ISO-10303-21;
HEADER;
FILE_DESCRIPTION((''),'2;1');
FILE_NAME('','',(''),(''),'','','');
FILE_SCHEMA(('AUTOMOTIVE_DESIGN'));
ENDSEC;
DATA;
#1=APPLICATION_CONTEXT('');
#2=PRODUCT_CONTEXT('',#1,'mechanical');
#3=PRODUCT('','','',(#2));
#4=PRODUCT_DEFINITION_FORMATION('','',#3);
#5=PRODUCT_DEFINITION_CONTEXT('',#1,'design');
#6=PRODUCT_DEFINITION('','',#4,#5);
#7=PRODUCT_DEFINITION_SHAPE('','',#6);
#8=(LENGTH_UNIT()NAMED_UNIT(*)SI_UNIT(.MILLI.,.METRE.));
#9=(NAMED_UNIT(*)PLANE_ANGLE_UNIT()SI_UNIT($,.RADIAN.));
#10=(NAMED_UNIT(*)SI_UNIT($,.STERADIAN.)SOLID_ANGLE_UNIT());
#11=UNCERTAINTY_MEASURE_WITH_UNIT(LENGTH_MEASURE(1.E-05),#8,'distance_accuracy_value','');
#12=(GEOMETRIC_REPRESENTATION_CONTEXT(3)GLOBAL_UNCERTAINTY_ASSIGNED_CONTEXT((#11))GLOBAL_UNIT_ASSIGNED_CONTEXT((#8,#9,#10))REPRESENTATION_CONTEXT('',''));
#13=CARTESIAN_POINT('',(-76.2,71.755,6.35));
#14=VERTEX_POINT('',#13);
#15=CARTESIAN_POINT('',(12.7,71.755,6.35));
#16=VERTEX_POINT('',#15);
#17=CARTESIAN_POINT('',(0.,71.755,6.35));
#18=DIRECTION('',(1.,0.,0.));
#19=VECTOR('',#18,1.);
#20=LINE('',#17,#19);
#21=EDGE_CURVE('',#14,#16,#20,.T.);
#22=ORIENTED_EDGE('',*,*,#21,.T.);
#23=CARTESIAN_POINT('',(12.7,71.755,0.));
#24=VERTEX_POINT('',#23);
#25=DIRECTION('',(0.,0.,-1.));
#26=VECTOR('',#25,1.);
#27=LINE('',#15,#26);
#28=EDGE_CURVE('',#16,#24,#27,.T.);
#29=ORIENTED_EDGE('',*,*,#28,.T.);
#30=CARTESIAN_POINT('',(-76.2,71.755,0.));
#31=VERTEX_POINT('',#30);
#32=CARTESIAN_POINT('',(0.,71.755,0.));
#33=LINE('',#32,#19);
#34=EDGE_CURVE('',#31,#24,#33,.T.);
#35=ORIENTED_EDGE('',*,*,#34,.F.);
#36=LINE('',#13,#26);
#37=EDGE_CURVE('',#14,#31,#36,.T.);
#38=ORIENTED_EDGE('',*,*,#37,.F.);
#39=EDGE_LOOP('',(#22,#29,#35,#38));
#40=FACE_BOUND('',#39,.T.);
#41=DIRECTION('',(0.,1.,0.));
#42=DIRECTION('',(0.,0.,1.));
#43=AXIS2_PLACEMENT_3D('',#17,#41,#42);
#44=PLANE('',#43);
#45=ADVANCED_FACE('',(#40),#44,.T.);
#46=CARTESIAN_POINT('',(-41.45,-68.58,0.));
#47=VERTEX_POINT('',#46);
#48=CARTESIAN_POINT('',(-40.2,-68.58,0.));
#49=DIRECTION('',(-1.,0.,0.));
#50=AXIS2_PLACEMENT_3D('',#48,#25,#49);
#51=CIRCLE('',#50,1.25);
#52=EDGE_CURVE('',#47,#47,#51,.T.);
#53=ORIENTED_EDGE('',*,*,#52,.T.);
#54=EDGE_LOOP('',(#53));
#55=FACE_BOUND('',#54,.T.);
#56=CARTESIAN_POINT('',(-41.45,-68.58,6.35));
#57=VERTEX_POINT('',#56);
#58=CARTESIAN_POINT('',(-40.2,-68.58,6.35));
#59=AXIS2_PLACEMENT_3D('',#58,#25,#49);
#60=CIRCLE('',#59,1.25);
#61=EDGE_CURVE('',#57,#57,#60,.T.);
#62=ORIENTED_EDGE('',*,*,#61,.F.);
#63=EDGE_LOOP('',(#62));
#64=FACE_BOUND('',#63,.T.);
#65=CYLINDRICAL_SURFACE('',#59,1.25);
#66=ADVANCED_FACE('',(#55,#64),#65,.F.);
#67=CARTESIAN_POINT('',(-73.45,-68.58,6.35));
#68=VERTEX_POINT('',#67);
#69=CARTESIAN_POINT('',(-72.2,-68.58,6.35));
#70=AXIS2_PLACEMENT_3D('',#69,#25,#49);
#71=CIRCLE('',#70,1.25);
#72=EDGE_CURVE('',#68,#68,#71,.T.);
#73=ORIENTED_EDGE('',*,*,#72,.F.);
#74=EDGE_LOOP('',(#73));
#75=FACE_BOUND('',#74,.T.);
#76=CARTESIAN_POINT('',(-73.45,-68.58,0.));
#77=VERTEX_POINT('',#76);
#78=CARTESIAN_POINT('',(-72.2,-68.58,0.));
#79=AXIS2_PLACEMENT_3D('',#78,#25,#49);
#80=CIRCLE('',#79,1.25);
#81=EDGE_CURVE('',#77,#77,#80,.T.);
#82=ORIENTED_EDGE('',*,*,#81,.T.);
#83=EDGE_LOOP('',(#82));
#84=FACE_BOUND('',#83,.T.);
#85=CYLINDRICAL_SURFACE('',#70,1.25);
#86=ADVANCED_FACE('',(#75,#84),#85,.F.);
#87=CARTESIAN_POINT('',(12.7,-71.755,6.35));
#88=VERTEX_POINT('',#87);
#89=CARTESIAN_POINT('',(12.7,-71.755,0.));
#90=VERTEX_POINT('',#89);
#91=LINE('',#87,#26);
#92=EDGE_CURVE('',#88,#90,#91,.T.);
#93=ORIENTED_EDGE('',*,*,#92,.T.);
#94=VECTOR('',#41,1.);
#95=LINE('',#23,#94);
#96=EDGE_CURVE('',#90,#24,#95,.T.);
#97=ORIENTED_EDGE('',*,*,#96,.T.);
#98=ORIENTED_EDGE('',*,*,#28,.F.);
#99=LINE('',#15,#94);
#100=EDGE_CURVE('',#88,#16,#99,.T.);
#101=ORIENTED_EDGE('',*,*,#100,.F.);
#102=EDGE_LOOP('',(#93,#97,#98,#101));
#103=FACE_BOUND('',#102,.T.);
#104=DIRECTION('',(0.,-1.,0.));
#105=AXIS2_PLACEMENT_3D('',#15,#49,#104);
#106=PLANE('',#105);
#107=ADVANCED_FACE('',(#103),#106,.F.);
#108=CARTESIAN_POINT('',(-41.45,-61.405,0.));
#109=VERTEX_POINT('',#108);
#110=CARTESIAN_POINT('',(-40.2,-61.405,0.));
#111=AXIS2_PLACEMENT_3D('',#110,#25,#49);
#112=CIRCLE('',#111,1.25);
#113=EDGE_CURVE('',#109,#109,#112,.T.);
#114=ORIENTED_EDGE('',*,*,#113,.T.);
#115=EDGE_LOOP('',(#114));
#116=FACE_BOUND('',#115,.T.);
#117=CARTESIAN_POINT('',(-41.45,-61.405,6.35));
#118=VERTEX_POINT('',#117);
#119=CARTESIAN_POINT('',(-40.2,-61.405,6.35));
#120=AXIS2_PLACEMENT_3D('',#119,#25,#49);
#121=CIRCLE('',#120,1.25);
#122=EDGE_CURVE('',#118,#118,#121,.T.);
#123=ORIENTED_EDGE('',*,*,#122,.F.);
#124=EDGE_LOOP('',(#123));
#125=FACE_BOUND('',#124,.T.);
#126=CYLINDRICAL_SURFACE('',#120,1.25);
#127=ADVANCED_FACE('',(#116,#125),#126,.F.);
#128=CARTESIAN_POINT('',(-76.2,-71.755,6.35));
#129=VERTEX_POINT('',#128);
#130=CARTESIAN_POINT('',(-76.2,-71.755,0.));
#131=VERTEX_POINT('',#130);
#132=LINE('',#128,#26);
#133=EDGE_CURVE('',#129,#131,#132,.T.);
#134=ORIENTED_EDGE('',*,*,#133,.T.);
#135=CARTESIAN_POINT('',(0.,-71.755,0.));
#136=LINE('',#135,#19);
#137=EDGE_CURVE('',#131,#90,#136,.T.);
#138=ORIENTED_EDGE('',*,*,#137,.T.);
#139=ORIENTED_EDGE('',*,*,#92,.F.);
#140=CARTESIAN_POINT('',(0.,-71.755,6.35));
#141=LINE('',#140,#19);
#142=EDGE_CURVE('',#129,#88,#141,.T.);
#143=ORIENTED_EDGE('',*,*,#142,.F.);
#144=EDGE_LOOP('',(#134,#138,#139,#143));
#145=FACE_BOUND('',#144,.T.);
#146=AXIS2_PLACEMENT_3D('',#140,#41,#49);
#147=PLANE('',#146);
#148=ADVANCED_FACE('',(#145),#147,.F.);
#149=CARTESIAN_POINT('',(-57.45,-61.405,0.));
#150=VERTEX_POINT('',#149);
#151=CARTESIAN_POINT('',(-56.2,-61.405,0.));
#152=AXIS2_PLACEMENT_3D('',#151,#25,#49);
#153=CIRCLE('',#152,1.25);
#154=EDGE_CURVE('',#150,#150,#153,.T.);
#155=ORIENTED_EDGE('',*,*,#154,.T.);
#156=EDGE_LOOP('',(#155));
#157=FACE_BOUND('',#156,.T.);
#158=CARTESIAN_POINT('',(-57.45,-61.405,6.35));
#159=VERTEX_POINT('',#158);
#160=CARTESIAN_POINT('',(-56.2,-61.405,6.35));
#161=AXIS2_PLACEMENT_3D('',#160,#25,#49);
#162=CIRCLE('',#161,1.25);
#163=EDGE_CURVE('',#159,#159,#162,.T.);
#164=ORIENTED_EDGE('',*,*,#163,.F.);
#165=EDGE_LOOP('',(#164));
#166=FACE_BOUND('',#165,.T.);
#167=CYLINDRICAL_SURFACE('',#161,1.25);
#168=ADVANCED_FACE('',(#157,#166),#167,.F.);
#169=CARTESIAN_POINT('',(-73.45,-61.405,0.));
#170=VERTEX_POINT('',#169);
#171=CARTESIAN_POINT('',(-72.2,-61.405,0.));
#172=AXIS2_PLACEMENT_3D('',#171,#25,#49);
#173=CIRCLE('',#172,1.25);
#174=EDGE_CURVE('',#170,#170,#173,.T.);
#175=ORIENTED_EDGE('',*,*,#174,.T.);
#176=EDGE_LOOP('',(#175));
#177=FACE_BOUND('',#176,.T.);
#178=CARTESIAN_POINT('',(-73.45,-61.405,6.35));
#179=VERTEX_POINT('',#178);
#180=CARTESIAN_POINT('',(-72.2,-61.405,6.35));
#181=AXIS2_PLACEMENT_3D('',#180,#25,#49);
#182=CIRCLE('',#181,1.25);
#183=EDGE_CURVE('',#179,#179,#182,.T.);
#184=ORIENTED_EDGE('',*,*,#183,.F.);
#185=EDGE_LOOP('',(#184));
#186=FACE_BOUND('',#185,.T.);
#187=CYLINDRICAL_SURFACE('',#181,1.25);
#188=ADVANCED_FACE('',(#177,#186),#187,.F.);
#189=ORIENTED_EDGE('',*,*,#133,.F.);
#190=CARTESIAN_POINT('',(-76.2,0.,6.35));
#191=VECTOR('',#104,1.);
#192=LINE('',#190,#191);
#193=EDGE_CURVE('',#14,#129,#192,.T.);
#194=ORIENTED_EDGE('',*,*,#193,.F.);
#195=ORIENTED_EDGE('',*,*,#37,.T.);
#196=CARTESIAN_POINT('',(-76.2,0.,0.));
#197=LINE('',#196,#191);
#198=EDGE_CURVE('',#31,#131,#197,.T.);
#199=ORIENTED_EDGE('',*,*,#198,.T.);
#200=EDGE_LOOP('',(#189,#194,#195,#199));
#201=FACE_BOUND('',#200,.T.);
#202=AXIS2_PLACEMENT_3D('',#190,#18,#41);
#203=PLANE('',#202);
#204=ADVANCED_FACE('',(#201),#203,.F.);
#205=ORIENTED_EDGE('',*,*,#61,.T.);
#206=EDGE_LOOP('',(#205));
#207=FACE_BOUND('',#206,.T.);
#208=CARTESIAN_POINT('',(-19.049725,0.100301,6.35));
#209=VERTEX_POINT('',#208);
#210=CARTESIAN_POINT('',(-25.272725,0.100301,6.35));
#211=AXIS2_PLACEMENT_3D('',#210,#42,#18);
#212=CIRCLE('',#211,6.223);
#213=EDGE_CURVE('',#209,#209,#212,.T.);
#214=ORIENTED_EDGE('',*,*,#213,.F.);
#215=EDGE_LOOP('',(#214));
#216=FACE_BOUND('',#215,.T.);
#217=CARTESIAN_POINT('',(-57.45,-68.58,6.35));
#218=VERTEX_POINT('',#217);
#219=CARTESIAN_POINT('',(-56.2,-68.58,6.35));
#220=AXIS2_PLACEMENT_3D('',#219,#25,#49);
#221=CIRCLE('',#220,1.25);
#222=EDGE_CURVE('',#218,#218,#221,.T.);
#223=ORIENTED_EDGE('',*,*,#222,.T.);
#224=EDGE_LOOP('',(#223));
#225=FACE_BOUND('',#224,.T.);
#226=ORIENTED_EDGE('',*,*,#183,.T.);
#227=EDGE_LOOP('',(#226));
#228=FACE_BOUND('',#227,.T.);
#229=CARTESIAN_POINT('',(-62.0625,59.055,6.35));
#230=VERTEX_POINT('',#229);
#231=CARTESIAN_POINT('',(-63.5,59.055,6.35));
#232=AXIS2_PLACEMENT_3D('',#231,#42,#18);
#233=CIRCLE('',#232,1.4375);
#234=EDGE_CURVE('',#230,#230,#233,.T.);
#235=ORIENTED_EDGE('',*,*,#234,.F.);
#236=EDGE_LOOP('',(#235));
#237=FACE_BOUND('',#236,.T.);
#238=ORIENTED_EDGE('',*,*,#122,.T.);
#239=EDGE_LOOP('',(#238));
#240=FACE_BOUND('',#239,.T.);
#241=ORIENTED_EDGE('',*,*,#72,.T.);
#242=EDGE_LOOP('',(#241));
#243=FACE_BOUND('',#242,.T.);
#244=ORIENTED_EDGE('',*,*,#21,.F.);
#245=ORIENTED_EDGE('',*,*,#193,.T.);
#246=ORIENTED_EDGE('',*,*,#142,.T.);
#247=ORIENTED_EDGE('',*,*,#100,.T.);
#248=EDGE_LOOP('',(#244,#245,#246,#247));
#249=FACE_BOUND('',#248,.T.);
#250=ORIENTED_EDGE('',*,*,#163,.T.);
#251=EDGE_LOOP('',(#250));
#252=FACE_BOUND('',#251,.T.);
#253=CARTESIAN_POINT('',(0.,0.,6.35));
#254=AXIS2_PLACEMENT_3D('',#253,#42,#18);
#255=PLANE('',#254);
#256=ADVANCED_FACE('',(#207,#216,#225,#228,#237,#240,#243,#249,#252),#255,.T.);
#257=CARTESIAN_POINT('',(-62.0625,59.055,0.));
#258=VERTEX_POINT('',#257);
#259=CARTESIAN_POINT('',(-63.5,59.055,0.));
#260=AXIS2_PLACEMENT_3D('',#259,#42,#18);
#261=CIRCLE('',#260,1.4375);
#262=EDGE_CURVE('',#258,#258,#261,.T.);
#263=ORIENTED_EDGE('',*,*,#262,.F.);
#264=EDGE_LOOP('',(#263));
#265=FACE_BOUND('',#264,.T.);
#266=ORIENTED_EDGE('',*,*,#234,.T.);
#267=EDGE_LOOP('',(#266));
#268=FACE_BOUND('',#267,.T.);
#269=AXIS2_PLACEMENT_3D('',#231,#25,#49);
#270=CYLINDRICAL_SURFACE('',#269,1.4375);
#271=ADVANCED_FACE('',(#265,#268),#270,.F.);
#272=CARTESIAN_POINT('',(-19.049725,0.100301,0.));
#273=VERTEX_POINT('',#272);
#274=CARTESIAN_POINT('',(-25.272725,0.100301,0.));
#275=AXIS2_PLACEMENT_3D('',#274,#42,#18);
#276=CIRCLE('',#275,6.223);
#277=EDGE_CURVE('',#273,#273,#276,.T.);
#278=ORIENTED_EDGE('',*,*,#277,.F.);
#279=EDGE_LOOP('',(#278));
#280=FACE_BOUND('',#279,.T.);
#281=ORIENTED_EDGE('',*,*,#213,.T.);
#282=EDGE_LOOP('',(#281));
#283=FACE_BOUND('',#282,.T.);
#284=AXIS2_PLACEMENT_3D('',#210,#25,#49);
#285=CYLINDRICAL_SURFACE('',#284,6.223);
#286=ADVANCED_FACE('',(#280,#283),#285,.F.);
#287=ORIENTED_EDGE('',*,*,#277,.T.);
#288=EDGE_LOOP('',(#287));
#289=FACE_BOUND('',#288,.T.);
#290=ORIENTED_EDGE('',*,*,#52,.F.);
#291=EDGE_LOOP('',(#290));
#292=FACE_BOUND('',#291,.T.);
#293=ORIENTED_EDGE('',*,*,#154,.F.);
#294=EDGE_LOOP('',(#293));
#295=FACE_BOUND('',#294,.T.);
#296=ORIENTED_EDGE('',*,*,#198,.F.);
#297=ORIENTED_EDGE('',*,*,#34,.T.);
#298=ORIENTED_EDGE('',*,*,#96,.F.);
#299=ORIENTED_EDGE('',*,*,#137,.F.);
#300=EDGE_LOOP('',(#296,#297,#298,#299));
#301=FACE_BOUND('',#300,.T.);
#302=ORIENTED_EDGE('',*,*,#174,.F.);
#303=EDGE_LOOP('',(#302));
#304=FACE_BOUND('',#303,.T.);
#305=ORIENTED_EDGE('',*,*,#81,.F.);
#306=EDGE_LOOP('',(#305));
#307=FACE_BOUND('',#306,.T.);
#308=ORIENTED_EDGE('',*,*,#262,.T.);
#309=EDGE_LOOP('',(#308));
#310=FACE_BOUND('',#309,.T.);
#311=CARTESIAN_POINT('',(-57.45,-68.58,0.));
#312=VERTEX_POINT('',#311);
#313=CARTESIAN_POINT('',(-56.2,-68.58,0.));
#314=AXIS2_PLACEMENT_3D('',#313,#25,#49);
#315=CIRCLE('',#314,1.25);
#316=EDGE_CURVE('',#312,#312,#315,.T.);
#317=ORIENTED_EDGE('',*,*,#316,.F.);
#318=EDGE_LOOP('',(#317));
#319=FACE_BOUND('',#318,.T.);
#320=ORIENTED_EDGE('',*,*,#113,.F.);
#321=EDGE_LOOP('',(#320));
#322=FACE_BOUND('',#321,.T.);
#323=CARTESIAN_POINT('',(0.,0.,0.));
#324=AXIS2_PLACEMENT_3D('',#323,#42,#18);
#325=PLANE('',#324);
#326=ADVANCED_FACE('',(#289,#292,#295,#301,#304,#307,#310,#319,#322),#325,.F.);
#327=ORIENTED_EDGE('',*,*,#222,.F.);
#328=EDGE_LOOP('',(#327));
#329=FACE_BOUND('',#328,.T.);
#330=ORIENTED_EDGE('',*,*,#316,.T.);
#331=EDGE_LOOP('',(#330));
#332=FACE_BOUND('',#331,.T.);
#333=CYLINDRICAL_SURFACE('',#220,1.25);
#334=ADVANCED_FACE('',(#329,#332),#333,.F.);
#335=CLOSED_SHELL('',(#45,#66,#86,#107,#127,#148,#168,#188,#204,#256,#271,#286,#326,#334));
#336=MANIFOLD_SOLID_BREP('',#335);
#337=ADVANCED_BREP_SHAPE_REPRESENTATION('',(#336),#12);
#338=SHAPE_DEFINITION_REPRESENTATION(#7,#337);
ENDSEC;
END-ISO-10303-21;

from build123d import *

# Parameters (mm, degrees)
SKETCH1_W           = 152.4
SKETCH1_H           = 143.51
SKETCH1_R           = 6.223
SKETCH1_R_2         = 1.4375
BOSS_EXTRUDE1_DEPTH = 6.35
SKETCH2_R           = 3.1115
CUT_EXTRUDE1_DEPTH  = 105.859632486
SKETCH4_R           = 1.625
CUT_EXTRUDE2_DEPTH  = 105.859632486
SKETCH5_W           = 63.5
SKETCH5_H           = 143.51
CUT_EXTRUDE3_DEPTH  = 105.859632486
SKETCH6_R           = 1.25
CUT_EXTRUDE4_DEPTH  = 105.859632486


with BuildPart() as part:
    # Sketch1 → Boss-Extrude1 (new body)
    with BuildSketch(Plane.XY):
        Rectangle(SKETCH1_W, SKETCH1_H)
        with Locations((-25.272725174, 0.100300785)):
            Circle(SKETCH1_R, mode=Mode.SUBTRACT)
        with Locations((-63.5, 59.055)):
            Circle(SKETCH1_R_2, mode=Mode.SUBTRACT)
    extrude(amount=BOSS_EXTRUDE1_DEPTH)

    # Sketch2 → Cut-Extrude1 (cut, through all)
    with BuildSketch(Plane.XY.offset(6.35)):
        with Locations((63.5, 11.600300785)):
            Circle(SKETCH2_R)
    extrude(amount=-CUT_EXTRUDE1_DEPTH, mode=Mode.SUBTRACT)

    # Sketch4 → Cut-Extrude2 (cut, through all)
    with BuildSketch(Plane.XY.offset(6.35)):
        with Locations((43.849064669, -5.274915009)):
            Circle(SKETCH4_R)
        with Locations((43.849064669, -21.274915009)):
            Circle(SKETCH4_R)
        with Locations((43.849064669, -37.274915009)):
            Circle(SKETCH4_R)
        with Locations((43.849064669, 10.725084991)):
            Circle(SKETCH4_R)
    extrude(amount=-CUT_EXTRUDE2_DEPTH, mode=Mode.SUBTRACT)

    # Sketch5 → Cut-Extrude3 (cut, through all)
    with BuildSketch(Plane(origin=(0, 0, 0), x_dir=(-1, 0, 0), z_dir=(0, 0, -1))):
        with Locations((-44.45, 0)):
            Rectangle(SKETCH5_W, SKETCH5_H)
    extrude(amount=-CUT_EXTRUDE3_DEPTH, mode=Mode.SUBTRACT)

    # Sketch6 → Cut-Extrude4 (cut, through all)
    with BuildSketch(Plane(origin=(0, 0, 0), x_dir=(-1, 0, 0), z_dir=(0, 0, -1))):
        with Locations((72.2, -61.404999872)):
            Circle(SKETCH6_R)
        with Locations((56.2, -61.404999872)):
            Circle(SKETCH6_R)
        with Locations((40.2, -61.404999872)):
            Circle(SKETCH6_R)
        with Locations((72.2, -68.58)):
            Circle(SKETCH6_R)
        with Locations((56.2, -68.58)):
            Circle(SKETCH6_R)
        with Locations((40.2, -68.58)):
            Circle(SKETCH6_R)
    extrude(amount=-CUT_EXTRUDE4_DEPTH, mode=Mode.SUBTRACT)


solid = part.part
